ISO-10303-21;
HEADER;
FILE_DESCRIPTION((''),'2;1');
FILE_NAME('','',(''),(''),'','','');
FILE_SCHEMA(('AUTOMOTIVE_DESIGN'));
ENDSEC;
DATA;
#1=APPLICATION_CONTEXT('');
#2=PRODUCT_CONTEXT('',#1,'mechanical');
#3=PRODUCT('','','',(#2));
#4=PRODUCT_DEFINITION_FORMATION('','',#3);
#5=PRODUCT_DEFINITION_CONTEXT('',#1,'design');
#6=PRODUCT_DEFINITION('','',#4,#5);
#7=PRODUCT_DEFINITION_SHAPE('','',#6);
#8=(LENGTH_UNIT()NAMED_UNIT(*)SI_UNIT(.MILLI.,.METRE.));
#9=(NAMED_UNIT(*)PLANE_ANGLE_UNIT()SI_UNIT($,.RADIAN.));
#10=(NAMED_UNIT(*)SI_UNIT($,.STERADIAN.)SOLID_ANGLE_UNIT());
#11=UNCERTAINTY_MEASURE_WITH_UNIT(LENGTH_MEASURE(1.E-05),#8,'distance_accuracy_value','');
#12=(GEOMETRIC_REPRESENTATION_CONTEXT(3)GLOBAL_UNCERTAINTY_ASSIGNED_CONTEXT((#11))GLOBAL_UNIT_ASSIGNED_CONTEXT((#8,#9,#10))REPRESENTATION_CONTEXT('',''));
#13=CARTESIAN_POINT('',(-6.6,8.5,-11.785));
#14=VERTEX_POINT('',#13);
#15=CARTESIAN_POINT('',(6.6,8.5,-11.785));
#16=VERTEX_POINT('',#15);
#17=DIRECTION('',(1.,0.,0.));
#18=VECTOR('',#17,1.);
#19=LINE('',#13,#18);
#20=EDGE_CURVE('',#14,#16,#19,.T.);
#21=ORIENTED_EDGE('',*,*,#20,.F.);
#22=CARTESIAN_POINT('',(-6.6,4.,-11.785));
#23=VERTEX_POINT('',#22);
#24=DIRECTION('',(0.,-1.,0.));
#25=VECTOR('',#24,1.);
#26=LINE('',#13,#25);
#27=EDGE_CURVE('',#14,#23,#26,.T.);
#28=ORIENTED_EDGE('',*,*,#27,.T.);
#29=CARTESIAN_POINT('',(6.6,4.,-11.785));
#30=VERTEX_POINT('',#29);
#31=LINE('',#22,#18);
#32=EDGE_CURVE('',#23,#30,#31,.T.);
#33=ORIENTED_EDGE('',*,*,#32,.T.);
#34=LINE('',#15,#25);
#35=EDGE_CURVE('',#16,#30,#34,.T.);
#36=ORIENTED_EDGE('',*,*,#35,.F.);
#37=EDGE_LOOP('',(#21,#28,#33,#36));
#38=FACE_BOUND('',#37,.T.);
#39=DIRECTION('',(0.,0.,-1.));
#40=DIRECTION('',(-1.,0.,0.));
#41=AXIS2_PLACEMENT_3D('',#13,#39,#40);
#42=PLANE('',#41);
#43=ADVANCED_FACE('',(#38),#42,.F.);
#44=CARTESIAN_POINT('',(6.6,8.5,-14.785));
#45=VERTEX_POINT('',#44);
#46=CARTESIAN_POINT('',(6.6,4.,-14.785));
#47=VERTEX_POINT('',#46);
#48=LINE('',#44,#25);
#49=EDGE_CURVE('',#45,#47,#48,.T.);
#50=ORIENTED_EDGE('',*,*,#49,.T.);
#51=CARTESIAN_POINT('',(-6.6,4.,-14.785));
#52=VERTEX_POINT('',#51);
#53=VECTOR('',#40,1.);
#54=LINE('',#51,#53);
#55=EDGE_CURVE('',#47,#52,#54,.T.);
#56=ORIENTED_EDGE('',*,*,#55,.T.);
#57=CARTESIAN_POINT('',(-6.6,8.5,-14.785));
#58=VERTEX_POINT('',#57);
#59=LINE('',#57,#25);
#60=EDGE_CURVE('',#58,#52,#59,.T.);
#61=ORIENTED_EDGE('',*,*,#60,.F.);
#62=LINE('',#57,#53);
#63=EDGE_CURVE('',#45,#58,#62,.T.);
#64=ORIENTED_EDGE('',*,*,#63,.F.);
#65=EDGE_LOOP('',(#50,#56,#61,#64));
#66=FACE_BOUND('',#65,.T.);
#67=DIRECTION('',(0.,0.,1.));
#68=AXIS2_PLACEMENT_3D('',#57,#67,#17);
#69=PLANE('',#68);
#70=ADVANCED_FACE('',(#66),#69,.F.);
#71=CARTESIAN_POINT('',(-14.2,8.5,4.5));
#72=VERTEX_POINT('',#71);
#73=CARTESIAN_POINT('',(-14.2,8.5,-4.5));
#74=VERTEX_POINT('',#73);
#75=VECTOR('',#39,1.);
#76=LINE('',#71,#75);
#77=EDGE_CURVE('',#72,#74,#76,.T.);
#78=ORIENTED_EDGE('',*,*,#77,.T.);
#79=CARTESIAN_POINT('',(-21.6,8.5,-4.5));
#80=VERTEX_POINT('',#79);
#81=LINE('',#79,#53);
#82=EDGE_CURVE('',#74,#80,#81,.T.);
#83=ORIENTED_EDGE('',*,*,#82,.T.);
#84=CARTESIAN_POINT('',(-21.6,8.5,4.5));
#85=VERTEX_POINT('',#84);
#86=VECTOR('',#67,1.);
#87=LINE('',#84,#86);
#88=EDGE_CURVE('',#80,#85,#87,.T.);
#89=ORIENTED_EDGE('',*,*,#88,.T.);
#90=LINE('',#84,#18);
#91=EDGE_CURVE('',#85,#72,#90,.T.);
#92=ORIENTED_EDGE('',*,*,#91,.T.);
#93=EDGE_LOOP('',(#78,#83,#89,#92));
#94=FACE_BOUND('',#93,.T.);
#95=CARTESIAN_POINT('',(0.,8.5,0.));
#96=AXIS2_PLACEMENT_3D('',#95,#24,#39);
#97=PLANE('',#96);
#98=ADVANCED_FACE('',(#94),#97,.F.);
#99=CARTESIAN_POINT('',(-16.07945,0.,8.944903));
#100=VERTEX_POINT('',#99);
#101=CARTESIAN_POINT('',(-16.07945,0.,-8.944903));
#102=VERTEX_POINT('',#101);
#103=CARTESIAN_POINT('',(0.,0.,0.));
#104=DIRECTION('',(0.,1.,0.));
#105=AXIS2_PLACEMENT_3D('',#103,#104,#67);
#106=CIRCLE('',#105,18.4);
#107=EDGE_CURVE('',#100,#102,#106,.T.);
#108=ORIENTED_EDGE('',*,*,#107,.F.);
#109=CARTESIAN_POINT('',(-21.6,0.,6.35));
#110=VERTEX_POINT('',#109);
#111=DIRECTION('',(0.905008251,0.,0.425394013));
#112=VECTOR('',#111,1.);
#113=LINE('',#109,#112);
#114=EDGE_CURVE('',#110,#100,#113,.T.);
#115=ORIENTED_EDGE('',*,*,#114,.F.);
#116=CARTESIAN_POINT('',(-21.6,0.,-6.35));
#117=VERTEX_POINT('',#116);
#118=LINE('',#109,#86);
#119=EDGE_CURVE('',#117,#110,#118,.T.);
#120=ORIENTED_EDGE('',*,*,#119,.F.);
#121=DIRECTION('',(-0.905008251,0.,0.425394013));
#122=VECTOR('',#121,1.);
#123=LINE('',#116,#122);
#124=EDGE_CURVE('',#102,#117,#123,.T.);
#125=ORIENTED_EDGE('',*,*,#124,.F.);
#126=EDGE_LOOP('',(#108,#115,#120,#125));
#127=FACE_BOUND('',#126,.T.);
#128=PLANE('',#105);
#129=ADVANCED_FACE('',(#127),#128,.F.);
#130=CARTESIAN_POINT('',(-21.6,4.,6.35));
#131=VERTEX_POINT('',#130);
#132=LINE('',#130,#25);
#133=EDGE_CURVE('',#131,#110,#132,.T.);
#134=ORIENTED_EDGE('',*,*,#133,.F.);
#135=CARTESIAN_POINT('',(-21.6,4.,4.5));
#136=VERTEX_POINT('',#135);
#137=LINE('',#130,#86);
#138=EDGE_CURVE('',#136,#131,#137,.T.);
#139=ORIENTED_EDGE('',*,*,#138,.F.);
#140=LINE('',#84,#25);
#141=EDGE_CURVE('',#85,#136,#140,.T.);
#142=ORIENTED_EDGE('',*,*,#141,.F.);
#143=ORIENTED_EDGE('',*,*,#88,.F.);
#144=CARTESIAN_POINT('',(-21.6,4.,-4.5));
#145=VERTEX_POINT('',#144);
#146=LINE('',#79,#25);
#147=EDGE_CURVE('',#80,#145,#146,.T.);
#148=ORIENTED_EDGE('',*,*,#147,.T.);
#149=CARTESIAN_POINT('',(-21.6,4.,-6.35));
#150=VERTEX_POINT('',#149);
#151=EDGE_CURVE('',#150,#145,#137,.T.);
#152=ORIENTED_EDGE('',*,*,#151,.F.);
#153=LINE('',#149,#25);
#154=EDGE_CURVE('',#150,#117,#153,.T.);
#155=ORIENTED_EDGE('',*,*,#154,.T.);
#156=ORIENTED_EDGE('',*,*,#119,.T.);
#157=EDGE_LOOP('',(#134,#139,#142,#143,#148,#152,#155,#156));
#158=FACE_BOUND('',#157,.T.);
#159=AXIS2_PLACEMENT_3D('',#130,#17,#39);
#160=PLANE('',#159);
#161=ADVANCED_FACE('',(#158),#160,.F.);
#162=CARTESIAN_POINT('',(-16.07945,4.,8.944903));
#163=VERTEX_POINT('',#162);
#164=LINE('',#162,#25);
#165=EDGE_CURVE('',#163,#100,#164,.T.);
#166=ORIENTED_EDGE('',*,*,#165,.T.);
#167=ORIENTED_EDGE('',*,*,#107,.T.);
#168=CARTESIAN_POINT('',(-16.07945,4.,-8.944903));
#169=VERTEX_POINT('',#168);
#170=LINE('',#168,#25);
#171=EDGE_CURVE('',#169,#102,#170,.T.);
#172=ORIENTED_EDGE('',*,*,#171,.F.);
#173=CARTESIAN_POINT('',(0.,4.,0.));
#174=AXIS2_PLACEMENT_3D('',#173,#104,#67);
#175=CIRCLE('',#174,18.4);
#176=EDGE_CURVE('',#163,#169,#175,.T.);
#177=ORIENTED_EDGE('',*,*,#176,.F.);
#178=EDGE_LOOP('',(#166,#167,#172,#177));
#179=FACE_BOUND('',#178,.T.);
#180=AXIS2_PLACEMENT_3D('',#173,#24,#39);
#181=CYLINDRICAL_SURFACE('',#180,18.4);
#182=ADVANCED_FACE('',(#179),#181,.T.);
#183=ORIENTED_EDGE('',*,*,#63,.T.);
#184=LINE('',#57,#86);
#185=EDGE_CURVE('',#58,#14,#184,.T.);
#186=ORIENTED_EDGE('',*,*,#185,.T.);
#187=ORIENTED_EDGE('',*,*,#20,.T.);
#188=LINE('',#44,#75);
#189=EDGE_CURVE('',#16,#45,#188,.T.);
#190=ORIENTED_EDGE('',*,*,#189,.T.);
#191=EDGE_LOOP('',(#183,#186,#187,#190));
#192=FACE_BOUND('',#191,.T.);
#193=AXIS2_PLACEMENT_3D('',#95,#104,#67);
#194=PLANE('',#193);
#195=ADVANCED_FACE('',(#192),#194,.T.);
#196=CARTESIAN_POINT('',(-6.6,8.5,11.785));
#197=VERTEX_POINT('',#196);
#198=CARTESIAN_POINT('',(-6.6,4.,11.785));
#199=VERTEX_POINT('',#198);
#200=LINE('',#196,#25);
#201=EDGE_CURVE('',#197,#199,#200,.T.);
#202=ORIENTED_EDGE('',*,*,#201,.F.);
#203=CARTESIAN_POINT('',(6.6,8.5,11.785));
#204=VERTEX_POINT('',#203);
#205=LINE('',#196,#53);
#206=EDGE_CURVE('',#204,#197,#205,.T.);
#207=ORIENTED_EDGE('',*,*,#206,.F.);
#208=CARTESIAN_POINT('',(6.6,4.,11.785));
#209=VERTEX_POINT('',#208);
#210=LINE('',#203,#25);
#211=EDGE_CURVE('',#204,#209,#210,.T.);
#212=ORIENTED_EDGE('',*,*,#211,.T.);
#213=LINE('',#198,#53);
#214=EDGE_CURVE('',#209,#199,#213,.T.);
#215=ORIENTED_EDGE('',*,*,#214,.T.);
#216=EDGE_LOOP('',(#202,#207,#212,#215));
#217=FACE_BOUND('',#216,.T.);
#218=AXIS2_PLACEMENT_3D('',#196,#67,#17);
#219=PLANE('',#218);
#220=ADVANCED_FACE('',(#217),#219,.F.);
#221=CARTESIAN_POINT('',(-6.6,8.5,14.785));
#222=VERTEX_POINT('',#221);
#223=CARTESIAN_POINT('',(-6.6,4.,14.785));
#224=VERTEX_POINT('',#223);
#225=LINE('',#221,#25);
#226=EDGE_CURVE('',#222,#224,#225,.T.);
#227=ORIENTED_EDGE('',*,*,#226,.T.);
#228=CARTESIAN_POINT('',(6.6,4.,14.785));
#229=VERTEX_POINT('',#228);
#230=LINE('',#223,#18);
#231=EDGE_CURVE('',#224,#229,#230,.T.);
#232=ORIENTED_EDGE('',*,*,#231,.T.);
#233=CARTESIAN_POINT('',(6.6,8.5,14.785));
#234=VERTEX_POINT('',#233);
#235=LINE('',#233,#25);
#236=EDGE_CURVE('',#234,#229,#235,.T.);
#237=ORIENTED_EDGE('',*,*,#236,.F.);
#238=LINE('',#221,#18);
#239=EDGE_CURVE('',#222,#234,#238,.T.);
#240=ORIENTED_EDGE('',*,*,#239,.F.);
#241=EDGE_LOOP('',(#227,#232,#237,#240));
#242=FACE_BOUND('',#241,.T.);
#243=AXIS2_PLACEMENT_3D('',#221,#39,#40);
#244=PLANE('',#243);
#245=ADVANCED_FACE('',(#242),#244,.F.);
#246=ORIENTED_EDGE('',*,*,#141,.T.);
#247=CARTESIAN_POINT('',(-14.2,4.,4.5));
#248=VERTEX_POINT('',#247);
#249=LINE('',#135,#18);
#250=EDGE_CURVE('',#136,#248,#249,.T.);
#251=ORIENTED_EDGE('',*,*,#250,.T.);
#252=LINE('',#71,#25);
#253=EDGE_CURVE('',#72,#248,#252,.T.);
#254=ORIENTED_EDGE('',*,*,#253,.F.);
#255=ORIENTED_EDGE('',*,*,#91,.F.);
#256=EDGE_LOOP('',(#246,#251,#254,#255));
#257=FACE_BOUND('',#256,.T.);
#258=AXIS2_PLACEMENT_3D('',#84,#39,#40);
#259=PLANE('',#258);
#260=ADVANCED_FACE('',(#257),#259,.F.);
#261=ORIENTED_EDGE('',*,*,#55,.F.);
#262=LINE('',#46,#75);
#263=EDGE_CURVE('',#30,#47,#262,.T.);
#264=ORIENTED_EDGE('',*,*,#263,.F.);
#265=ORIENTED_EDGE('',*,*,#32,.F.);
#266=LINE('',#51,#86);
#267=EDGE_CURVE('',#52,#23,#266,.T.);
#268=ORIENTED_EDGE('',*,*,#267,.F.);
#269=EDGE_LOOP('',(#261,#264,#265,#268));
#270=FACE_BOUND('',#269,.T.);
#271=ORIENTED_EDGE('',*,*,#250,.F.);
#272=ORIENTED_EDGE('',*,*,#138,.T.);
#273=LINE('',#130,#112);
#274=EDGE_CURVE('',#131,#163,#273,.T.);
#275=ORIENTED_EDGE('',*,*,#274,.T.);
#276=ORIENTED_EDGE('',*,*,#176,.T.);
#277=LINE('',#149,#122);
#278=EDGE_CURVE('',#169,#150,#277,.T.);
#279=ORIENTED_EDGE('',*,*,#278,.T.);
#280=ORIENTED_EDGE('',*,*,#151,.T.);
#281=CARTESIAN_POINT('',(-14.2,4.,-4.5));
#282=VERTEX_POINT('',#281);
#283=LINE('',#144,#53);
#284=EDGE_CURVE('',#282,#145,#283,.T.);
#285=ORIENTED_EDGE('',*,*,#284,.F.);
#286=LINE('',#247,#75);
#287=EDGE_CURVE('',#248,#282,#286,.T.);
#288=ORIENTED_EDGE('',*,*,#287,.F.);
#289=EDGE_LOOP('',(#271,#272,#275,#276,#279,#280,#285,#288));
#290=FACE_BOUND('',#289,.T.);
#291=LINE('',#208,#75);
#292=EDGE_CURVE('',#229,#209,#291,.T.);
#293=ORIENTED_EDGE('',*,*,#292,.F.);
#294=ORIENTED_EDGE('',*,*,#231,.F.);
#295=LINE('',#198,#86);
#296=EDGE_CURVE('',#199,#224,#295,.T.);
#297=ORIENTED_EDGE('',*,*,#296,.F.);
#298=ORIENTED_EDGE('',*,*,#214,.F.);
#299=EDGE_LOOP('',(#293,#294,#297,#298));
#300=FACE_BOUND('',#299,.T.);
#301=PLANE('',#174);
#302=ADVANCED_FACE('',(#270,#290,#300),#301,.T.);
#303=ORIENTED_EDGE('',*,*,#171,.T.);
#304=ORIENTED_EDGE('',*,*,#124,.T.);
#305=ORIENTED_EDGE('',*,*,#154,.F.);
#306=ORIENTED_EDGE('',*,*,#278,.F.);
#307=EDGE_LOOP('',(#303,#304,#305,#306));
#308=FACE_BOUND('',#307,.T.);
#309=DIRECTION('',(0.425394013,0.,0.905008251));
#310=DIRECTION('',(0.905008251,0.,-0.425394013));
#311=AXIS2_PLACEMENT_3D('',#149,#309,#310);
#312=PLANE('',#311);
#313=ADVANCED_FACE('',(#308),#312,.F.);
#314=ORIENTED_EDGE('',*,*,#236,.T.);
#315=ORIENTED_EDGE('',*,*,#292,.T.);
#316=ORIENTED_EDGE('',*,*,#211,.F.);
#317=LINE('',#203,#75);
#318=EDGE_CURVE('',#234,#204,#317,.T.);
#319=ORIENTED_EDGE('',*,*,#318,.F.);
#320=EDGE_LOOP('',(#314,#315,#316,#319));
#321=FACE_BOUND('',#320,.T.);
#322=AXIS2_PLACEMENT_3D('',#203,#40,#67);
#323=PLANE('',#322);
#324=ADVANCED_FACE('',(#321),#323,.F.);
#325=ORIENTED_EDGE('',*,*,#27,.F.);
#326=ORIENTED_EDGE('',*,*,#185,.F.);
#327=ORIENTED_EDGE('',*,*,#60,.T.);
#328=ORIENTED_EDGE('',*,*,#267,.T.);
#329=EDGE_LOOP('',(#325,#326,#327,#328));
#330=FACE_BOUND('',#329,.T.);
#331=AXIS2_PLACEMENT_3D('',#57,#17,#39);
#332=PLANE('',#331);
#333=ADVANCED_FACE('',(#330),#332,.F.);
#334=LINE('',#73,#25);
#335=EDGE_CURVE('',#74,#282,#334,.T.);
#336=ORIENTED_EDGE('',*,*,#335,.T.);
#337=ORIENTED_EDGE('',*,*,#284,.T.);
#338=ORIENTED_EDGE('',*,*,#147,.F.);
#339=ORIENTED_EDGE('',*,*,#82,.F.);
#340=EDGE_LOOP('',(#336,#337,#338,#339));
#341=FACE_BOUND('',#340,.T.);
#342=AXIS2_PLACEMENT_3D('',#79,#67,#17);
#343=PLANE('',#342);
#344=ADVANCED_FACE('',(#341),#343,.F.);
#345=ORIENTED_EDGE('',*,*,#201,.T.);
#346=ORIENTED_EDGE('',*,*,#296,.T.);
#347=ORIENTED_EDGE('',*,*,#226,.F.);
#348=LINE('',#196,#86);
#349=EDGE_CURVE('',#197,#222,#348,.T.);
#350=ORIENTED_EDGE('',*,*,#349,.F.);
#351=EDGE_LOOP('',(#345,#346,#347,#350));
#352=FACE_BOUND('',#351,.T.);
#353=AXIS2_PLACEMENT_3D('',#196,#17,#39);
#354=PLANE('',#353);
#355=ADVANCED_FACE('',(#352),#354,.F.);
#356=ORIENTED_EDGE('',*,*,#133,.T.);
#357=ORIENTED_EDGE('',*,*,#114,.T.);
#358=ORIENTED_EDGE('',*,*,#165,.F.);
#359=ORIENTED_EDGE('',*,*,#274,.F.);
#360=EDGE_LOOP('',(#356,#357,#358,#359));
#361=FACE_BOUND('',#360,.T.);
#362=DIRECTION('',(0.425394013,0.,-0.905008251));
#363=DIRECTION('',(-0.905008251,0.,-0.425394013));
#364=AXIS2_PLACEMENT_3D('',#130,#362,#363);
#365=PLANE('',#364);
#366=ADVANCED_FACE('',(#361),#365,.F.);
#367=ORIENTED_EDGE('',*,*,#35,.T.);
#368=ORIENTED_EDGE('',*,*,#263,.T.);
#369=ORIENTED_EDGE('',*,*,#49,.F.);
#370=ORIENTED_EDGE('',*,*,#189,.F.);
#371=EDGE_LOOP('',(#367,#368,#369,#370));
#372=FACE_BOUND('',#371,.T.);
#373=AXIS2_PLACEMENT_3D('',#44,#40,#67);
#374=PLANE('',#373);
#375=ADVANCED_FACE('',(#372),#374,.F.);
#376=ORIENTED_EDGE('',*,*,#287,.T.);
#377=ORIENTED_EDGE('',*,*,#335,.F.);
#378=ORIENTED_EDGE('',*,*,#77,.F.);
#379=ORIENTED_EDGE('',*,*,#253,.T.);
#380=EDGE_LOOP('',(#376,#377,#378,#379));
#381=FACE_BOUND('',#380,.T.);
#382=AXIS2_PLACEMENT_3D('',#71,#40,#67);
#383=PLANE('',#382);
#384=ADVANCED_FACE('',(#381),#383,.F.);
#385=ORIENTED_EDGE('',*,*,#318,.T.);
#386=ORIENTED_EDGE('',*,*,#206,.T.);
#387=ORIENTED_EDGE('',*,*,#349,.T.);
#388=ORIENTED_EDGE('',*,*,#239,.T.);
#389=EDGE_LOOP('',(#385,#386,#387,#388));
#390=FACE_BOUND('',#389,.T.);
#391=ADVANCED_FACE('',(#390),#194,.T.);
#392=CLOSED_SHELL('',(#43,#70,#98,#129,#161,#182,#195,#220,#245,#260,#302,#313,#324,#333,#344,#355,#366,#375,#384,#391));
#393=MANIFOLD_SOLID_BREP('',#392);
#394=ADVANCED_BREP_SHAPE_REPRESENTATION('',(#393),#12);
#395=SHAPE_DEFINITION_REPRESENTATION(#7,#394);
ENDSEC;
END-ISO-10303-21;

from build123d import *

# Parameters (mm, degrees)
BOSS_EXTRUDE1_DEPTH = 4
SKETCH2_W           = 13.2
SKETCH2_H           = 3
SKETCH2_W_2         = 7.4
SKETCH2_H_2         = 9
BOSS_EXTRUDE2_DEPTH = 4.5


with BuildPart() as part:
    # Sketch1 → Boss-Extrude1 (new body)
    with BuildSketch(Plane(origin=(0, 0, 0), x_dir=(1, 0, 0), z_dir=(0, 1, 0))):
        with BuildLine():
            Line((-21.6, -6.35), (-21.6, 6.35))
            Line((-21.6, 6.35), (-16.079449671, 8.94490348))
            ThreePointArc((-16.079449671, 8.94490348), (18.4, 0), (-16.079449671, -8.94490348))
            Line((-16.079449671, -8.94490348), (-21.6, -6.35))
        make_face()
    extrude(amount=BOSS_EXTRUDE1_DEPTH)

    # Sketch2 → Boss-Extrude2 (add)
    with BuildSketch(Plane(origin=(0, 4, 0), x_dir=(1, 0, 0), z_dir=(0, 1, 0))):
        with Locations((0, 13.285)):
            Rectangle(SKETCH2_W, SKETCH2_H)
        with Locations((0, -13.285)):
            Rectangle(SKETCH2_W, SKETCH2_H)
        with Locations((-17.9, 0)):
            Rectangle(SKETCH2_W_2, SKETCH2_H_2)
    extrude(amount=BOSS_EXTRUDE2_DEPTH)


solid = part.part
